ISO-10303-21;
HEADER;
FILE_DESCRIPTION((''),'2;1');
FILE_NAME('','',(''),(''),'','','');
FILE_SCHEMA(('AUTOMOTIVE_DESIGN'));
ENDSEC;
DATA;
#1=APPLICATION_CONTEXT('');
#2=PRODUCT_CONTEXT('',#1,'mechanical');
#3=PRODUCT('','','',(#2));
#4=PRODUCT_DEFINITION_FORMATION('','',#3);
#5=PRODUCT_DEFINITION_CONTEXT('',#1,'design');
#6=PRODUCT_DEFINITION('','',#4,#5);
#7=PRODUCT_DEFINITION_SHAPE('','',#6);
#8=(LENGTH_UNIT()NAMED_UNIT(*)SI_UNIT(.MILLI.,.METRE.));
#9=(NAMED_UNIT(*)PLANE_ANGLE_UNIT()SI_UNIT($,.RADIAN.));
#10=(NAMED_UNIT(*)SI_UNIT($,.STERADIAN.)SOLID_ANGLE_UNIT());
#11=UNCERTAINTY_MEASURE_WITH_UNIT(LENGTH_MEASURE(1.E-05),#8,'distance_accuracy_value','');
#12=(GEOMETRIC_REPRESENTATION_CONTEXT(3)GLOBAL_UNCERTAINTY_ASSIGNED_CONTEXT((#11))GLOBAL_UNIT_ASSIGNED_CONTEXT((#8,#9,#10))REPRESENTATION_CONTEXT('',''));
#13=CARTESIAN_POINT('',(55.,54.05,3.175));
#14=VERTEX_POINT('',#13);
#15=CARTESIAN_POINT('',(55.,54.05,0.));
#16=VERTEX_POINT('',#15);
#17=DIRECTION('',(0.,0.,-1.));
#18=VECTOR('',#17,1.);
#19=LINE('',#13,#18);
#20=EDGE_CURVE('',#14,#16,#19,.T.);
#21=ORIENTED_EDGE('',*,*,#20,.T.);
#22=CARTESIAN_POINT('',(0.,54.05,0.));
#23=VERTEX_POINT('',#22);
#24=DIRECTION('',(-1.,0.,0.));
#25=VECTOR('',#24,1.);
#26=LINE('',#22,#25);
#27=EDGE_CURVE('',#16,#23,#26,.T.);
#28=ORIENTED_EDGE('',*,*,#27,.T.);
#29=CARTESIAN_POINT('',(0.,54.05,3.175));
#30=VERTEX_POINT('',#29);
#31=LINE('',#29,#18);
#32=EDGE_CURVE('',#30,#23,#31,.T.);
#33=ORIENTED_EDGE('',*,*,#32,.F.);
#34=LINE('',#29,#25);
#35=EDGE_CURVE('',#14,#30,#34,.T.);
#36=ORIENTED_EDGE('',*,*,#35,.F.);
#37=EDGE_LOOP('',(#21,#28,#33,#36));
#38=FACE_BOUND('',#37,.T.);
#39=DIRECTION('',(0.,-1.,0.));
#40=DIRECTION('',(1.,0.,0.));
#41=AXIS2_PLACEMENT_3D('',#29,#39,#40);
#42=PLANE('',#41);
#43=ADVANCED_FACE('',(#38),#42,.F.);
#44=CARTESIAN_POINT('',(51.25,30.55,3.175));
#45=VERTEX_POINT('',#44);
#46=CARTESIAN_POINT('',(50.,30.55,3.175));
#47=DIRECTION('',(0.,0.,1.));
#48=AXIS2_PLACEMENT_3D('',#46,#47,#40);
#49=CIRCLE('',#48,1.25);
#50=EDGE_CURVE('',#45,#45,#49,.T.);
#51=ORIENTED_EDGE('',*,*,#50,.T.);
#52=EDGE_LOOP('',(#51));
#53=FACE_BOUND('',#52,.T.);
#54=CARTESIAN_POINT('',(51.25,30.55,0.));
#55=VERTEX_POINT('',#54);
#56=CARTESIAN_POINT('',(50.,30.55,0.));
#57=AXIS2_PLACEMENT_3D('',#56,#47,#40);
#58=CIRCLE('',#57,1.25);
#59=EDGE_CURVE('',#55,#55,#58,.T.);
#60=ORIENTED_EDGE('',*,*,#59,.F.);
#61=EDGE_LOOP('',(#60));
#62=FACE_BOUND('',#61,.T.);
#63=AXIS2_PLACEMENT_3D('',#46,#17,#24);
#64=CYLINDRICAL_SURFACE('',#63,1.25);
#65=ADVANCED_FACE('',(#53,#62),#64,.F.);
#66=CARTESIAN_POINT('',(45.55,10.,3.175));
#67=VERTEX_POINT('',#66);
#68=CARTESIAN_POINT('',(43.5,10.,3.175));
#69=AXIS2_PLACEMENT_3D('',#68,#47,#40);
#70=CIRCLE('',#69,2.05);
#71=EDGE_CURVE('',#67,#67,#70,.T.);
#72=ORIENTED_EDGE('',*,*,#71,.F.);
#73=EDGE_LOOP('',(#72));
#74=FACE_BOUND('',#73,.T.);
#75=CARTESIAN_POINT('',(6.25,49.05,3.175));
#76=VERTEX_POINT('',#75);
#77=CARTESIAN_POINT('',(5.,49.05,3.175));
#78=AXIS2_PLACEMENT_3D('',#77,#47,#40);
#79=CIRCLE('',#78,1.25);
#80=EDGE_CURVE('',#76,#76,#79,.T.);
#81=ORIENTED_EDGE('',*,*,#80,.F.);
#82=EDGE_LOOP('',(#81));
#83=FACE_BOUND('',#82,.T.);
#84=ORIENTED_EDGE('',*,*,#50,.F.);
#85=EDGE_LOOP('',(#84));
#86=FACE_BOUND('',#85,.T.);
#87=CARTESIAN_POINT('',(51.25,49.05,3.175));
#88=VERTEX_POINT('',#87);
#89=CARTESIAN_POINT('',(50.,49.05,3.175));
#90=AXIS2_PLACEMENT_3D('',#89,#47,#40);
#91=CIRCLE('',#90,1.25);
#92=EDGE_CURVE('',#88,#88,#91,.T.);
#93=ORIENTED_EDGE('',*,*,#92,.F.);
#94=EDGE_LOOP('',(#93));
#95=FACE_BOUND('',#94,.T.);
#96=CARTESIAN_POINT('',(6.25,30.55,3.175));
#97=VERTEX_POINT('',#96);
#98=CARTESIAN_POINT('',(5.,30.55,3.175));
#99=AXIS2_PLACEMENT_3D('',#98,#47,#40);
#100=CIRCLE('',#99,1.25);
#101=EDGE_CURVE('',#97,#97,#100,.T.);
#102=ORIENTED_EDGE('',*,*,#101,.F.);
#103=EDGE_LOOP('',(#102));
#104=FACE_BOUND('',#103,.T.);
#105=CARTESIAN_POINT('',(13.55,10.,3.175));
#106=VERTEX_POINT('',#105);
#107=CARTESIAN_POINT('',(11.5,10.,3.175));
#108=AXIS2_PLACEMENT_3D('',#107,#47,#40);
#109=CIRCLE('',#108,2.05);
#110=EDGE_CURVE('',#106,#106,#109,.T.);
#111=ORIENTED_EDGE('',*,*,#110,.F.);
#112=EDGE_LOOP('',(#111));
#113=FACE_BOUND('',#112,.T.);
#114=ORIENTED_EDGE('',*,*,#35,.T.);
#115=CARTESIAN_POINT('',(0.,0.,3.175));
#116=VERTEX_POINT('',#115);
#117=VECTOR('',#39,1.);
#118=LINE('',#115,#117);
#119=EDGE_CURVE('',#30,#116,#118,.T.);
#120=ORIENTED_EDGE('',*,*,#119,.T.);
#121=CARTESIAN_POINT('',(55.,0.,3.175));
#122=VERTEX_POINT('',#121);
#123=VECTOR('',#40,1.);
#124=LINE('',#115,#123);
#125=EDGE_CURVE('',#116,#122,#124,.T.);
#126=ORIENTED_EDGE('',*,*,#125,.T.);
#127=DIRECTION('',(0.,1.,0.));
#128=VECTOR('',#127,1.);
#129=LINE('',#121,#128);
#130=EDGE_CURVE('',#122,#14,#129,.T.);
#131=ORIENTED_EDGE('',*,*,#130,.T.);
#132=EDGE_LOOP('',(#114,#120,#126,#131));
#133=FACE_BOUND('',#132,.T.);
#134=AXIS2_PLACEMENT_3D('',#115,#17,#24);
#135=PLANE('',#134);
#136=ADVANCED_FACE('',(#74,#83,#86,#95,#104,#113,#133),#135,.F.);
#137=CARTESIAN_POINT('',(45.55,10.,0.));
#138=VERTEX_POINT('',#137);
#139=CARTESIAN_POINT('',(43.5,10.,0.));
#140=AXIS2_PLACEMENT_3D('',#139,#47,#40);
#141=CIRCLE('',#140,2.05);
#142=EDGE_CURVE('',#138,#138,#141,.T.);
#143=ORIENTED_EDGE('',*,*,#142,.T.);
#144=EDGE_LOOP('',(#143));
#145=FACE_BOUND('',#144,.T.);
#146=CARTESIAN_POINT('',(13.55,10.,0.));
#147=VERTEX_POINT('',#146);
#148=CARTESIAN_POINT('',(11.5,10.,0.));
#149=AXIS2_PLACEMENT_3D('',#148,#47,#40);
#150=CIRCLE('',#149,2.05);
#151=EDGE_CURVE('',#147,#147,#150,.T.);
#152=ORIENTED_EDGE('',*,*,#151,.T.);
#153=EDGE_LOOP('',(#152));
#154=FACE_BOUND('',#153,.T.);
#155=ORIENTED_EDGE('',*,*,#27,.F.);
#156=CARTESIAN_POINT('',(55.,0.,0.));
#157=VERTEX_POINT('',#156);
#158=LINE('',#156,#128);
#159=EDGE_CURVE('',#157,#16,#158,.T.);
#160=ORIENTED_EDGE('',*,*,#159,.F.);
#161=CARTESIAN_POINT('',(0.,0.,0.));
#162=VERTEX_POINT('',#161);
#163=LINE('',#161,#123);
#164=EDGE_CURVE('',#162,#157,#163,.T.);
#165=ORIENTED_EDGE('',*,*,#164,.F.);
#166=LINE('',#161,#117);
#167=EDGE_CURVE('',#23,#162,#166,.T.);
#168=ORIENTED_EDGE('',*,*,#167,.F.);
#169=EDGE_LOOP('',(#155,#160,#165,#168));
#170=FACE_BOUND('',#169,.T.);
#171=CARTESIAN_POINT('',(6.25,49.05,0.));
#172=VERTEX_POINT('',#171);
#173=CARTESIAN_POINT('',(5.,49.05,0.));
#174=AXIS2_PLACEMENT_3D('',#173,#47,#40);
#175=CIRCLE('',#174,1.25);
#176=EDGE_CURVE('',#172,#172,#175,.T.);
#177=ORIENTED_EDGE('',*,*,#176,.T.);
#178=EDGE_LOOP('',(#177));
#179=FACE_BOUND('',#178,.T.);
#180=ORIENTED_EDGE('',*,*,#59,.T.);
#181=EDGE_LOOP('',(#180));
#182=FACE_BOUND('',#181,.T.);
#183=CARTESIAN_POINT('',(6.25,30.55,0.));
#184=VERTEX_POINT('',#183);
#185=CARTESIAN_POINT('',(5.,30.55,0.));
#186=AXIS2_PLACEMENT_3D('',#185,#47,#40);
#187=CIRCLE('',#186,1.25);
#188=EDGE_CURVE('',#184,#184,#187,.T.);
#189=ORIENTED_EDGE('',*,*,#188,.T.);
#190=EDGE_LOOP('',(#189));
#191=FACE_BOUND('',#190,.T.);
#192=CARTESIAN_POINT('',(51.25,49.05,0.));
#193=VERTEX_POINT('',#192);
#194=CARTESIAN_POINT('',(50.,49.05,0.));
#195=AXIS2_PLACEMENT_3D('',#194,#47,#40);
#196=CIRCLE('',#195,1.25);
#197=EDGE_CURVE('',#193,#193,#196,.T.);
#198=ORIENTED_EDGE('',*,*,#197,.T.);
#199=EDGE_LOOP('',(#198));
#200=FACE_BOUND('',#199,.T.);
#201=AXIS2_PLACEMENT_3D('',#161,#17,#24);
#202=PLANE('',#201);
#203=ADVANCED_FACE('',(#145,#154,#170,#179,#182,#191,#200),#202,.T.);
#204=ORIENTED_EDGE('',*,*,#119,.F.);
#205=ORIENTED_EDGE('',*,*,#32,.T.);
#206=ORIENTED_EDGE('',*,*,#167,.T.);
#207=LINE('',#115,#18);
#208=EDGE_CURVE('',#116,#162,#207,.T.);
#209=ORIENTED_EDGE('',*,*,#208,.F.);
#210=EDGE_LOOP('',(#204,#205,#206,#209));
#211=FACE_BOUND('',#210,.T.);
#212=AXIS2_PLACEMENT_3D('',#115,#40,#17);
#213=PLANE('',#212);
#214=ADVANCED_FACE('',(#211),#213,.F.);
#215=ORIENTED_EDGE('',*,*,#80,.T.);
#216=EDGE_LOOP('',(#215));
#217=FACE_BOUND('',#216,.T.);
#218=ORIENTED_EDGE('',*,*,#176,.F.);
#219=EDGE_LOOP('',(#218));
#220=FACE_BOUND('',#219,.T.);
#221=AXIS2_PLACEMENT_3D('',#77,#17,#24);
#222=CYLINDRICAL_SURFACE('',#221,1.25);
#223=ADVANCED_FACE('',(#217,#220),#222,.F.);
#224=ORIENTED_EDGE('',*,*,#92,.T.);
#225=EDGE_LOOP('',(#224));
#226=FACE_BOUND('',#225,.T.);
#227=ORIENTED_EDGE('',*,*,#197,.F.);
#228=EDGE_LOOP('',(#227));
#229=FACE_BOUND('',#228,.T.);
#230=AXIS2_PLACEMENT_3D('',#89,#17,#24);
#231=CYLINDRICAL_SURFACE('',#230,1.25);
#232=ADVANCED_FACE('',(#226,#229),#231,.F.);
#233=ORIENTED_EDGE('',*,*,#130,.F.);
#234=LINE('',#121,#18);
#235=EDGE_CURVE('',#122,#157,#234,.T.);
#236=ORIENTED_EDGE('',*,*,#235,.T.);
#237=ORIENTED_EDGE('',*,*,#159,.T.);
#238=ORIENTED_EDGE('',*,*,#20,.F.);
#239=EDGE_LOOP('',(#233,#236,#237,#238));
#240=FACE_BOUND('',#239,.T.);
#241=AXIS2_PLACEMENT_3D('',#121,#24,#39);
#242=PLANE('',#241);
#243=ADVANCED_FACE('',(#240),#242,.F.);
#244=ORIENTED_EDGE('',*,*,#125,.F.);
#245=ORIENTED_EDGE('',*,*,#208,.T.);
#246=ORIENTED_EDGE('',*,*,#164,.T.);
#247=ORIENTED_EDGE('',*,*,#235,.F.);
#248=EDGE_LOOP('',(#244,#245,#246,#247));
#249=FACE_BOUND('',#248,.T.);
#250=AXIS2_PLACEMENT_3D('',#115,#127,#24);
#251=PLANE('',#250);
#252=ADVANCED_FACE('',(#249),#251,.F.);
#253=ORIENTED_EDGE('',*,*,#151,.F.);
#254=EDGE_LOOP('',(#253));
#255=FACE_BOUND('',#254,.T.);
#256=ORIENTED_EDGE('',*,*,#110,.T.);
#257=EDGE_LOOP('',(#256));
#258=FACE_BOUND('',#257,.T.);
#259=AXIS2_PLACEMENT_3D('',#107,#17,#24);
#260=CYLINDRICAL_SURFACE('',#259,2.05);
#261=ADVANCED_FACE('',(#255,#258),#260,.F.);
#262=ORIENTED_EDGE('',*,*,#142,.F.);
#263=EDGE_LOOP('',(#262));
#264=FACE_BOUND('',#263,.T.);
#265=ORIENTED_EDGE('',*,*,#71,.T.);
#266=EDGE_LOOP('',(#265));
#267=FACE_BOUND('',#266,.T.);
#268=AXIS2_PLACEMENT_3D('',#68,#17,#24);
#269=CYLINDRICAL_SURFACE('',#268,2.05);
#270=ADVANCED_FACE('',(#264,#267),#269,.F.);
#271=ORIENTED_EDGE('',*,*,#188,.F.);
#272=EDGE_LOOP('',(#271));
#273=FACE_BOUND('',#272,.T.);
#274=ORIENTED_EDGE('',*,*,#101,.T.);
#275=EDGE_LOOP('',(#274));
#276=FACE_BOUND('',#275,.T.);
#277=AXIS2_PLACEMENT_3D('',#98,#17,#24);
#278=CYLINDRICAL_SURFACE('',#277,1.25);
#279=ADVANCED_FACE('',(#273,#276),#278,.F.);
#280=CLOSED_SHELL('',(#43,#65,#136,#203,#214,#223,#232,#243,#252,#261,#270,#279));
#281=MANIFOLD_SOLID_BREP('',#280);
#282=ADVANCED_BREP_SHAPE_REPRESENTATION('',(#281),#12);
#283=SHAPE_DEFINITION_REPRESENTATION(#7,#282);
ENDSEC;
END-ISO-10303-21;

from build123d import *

# Parameters (mm, degrees)
SKETCH1_W           = 55
SKETCH1_H           = 54.05
SKETCH1_R           = 1.25
SKETCH1_R_2         = 2.05
BOSS_EXTRUDE1_DEPTH = 3.175


with BuildPart() as part:
    # Sketch1 → Boss-Extrude1 (new body)
    with BuildSketch(Plane.XY):
        with Locations((27.5, 27.025)):
            Rectangle(SKETCH1_W, SKETCH1_H)
        with Locations((5, 49.05)):
            Circle(SKETCH1_R, mode=Mode.SUBTRACT)
        with Locations((50, 49.05)):
            Circle(SKETCH1_R, mode=Mode.SUBTRACT)
        with Locations((50, 30.55)):
            Circle(SKETCH1_R, mode=Mode.SUBTRACT)
        with Locations((5, 30.55)):
            Circle(SKETCH1_R, mode=Mode.SUBTRACT)
        with Locations((11.5, 10)):
            Circle(SKETCH1_R_2, mode=Mode.SUBTRACT)
        with Locations((43.5, 10)):
            Circle(SKETCH1_R_2, mode=Mode.SUBTRACT)
    extrude(amount=BOSS_EXTRUDE1_DEPTH)


solid = part.part
